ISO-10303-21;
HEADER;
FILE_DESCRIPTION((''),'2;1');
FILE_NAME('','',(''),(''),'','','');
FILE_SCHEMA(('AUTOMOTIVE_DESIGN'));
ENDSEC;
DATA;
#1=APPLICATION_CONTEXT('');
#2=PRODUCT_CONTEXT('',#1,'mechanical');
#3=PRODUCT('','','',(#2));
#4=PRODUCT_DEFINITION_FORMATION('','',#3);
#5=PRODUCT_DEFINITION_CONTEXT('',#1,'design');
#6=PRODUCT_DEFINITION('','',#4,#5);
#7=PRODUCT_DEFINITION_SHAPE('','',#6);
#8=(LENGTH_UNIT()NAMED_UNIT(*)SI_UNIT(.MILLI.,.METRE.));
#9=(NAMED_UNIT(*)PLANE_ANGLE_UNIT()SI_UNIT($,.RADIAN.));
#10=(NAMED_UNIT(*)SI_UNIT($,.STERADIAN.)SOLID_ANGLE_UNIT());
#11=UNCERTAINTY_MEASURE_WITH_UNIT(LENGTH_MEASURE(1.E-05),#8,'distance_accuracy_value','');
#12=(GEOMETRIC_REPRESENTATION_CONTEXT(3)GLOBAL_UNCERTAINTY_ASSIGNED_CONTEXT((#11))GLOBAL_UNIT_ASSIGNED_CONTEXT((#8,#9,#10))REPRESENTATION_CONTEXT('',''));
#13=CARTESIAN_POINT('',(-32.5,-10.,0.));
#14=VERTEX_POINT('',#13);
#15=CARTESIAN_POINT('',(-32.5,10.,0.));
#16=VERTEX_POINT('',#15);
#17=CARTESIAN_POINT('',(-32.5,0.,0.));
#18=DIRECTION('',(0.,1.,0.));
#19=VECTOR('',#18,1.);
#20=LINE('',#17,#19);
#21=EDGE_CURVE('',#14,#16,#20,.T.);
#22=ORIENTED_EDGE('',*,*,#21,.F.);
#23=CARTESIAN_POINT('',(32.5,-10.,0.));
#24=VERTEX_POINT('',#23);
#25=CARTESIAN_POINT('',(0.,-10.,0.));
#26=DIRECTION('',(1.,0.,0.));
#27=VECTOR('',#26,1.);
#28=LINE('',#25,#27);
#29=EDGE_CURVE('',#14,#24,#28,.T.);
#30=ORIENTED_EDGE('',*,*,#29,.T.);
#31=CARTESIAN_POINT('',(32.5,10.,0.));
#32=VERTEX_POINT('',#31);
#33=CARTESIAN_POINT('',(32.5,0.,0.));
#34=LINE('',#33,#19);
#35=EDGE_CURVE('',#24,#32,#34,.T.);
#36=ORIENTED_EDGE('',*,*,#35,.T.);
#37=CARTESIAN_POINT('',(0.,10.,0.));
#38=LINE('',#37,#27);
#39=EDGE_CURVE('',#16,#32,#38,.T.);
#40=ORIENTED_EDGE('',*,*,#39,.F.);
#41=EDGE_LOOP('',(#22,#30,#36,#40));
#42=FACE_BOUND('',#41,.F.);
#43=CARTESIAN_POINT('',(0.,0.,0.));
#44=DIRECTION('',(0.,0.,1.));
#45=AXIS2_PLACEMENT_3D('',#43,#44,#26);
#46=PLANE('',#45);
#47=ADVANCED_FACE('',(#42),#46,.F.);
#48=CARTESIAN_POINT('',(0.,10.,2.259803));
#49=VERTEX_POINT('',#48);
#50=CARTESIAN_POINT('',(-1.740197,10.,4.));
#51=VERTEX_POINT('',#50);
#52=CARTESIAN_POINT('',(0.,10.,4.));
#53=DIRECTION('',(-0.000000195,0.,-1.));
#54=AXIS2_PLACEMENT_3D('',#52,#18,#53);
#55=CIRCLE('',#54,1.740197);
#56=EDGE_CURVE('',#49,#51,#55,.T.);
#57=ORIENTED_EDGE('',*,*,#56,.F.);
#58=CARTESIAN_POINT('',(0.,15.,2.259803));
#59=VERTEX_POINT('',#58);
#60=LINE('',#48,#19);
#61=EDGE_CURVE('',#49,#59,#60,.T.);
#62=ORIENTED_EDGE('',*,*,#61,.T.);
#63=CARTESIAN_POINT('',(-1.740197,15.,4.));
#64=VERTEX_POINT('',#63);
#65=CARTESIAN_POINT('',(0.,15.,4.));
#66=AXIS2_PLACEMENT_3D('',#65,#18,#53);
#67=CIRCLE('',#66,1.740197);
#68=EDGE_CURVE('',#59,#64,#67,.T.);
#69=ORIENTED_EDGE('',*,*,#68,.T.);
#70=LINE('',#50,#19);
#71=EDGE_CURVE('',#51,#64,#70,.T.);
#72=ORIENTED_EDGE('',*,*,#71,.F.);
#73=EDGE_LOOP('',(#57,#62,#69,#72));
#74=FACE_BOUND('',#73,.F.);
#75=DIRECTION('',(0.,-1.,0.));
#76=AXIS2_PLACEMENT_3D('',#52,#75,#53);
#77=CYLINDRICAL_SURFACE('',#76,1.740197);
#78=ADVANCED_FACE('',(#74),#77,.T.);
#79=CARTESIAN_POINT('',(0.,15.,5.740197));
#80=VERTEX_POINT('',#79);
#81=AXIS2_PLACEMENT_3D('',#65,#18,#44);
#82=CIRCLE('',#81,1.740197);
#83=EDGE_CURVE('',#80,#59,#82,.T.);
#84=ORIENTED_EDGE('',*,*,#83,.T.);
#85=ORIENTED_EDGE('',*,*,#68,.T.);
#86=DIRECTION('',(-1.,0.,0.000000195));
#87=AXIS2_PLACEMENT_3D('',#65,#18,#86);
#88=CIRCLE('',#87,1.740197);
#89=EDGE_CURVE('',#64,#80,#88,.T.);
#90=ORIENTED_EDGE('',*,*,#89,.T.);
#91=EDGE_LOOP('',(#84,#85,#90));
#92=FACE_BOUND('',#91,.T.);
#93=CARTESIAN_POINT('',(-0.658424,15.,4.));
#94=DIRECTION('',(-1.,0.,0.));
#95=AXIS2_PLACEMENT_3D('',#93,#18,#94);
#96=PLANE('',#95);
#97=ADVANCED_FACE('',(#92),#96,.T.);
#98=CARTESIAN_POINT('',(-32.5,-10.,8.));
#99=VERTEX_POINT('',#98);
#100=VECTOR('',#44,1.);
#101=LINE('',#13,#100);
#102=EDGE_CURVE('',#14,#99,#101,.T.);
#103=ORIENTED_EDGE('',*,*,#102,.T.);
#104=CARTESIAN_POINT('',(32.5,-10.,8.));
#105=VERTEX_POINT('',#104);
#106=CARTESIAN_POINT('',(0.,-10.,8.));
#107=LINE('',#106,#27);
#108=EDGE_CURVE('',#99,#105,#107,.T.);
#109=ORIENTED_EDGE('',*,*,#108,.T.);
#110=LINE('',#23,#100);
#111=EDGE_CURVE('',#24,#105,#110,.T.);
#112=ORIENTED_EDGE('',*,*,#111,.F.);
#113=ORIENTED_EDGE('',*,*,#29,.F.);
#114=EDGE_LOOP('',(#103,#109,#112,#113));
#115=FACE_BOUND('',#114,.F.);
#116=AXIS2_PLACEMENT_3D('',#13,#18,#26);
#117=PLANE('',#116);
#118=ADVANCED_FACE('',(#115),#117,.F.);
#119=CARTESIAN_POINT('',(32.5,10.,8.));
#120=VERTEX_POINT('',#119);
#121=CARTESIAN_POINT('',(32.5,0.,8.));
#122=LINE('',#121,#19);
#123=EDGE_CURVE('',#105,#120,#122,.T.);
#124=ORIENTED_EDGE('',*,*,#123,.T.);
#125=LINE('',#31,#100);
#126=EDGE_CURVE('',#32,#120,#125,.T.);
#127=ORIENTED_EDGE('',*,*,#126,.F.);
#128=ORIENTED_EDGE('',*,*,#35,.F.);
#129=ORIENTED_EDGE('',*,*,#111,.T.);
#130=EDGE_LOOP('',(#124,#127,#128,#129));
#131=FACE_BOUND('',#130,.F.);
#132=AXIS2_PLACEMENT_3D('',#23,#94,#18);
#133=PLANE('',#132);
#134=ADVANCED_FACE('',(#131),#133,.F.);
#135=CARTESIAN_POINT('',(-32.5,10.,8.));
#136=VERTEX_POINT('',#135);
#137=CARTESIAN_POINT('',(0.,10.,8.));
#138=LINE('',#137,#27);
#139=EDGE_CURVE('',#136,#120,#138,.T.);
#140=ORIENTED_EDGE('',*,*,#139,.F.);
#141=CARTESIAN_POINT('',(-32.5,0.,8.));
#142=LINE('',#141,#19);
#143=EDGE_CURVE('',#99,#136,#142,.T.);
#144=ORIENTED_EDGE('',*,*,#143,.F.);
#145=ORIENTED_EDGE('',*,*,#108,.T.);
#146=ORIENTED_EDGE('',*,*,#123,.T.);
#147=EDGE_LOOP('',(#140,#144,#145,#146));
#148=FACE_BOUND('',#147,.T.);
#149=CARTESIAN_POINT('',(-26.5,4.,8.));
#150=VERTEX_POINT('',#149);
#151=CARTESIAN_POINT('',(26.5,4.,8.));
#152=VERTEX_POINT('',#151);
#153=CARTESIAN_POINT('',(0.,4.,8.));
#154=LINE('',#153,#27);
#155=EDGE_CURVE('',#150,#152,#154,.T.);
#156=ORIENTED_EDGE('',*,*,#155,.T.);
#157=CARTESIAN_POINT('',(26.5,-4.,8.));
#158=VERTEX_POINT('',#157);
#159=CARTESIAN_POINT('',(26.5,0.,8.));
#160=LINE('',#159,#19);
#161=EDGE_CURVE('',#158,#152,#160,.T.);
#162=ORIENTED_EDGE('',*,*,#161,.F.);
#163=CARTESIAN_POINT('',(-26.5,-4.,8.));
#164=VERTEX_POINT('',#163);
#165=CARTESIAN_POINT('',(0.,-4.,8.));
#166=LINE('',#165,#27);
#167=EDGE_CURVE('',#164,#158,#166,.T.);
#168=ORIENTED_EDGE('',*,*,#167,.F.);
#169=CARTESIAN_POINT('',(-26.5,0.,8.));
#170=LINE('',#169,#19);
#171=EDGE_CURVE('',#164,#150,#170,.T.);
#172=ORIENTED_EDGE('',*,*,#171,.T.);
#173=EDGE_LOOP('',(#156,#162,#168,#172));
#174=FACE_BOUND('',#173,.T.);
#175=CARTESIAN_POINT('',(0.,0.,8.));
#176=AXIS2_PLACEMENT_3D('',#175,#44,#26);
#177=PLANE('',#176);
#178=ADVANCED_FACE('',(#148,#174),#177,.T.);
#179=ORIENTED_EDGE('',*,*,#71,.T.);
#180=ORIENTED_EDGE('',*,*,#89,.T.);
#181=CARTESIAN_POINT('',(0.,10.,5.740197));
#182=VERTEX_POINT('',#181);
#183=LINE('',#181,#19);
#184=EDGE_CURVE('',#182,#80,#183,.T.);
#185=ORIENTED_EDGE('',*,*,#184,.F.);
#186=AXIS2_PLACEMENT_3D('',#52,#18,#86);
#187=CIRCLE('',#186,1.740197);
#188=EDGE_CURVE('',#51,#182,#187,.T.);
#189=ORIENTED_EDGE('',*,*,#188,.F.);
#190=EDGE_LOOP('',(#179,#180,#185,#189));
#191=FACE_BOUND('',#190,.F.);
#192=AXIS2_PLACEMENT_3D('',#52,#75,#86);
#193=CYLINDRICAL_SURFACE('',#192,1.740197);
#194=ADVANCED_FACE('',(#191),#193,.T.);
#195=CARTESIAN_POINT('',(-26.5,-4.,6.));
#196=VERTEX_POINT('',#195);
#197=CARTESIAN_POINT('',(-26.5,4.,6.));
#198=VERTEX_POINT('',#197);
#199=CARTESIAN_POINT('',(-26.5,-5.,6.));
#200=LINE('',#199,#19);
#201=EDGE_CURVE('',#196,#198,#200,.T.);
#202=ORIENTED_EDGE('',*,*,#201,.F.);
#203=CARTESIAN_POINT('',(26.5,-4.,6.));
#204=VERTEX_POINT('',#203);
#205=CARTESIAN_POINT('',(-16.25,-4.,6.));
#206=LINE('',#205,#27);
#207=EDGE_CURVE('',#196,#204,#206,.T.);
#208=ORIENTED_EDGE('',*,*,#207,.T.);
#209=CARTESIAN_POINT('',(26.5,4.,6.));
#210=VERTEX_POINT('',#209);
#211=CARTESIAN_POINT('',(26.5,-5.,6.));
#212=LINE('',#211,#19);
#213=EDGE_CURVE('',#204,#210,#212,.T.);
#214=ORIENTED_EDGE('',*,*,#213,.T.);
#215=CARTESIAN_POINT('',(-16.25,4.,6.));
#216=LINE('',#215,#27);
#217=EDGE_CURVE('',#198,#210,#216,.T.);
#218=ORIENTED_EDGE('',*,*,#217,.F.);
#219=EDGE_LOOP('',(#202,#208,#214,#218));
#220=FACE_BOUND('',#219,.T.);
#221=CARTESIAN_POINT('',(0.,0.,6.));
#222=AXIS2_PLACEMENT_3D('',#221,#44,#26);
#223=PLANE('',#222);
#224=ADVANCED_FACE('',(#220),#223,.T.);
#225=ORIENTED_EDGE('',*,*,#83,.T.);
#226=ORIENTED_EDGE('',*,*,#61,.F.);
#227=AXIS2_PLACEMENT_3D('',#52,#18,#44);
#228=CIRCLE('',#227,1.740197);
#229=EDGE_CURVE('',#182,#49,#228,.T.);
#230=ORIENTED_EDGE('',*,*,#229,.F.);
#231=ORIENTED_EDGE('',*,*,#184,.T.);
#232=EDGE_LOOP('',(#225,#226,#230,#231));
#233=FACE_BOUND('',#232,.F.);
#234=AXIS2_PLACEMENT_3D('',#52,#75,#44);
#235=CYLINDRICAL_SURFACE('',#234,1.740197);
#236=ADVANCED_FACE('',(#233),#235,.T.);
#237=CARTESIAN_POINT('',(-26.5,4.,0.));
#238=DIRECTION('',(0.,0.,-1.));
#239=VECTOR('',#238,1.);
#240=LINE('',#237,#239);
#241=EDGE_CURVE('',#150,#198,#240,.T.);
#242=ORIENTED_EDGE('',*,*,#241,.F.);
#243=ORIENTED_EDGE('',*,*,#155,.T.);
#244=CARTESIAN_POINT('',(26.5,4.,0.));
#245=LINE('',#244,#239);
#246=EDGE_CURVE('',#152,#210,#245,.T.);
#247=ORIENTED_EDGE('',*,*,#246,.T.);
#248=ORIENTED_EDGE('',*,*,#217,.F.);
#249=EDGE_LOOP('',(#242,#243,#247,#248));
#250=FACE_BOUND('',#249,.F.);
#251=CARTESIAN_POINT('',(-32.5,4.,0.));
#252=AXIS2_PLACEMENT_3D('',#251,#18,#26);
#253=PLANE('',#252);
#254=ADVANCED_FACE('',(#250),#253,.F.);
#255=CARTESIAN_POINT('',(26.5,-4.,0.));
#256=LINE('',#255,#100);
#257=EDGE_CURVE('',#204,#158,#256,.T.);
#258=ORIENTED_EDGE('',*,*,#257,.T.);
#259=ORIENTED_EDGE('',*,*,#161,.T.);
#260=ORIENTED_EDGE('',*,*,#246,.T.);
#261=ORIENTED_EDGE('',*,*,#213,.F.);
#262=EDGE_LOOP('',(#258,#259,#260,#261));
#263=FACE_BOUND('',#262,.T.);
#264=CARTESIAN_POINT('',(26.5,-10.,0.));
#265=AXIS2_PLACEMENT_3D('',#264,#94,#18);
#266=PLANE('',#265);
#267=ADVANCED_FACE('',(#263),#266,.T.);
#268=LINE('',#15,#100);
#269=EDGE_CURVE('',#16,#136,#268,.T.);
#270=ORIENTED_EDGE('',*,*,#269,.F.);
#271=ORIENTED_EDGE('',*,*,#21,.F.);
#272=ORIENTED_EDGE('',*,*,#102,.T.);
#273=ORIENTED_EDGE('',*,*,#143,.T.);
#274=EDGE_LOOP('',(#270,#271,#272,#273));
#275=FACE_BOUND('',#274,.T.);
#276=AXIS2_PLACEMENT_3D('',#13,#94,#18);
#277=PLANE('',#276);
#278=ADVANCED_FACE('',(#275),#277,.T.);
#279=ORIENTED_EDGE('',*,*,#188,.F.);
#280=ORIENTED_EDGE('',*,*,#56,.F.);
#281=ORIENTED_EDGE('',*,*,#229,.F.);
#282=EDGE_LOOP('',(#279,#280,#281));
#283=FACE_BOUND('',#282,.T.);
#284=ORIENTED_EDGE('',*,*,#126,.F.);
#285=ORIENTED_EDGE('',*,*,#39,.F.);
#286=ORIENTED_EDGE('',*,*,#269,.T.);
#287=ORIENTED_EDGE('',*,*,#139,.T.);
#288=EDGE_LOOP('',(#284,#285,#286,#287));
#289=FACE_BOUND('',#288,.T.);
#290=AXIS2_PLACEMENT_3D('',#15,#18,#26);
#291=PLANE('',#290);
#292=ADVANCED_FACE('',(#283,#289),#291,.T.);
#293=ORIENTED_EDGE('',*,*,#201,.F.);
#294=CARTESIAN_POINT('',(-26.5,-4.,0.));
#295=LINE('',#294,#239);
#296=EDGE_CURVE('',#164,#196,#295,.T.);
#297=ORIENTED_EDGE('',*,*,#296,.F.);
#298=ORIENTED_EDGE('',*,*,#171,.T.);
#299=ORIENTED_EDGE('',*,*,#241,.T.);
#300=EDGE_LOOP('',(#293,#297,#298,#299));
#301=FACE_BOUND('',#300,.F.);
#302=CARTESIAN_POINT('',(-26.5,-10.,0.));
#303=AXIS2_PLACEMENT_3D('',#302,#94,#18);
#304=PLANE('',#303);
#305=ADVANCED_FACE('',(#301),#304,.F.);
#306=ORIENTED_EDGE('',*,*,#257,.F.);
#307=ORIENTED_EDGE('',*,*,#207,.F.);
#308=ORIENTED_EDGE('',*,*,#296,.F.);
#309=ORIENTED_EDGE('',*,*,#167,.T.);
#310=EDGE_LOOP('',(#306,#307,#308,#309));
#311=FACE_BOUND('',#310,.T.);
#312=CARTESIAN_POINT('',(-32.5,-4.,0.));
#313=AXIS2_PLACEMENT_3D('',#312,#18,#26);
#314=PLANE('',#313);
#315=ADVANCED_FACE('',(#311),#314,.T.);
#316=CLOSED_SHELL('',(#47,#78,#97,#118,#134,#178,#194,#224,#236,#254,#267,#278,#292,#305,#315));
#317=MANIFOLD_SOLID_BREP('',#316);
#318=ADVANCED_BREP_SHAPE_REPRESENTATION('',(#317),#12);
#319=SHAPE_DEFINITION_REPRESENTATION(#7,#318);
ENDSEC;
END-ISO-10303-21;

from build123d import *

# Parameters (mm, degrees)
F0_W     = 65
F0_H     = 20
F1_DEPTH = 8
F2_T     = -6
F4_DEPTH = 5


with BuildPart() as f1:
    # F0 (on Top) → F1 (new body)
    with BuildSketch(Plane.XY):
        Rectangle(F0_W, F0_H)
    extrude(amount=F1_DEPTH)

    # F2
    f2_openings = [f1.faces().sort_by_distance(p)[0] for p in [
        (0, 0, 8),
    ]]
    offset(amount=F2_T, openings=f2_openings)

    # F3 (on face) → F4 (join)
    with BuildSketch(Plane(origin=(0, 10, 0), x_dir=(-1, 0, 0), z_dir=(0, 1, 0))):
        with BuildLine():
            ThreePointArc((1.740197, 4), (1.230505, 5.230505), (0, 5.740197))
            Line((0, 5.740197), (0, 4))
            Line((0, 4), (0, 2.259803))
            ThreePointArc((0, 2.259803), (1.230505, 2.769495), (1.740197, 4))
        make_face()
        with BuildLine():
            Line((0, 4), (0, 5.740197))
            ThreePointArc((0, 5.740197), (-1.740197, 4), (0, 2.259803))
            Line((0, 2.259803), (0, 4))
        make_face()
    extrude(amount=F4_DEPTH)


solid = f1.part
